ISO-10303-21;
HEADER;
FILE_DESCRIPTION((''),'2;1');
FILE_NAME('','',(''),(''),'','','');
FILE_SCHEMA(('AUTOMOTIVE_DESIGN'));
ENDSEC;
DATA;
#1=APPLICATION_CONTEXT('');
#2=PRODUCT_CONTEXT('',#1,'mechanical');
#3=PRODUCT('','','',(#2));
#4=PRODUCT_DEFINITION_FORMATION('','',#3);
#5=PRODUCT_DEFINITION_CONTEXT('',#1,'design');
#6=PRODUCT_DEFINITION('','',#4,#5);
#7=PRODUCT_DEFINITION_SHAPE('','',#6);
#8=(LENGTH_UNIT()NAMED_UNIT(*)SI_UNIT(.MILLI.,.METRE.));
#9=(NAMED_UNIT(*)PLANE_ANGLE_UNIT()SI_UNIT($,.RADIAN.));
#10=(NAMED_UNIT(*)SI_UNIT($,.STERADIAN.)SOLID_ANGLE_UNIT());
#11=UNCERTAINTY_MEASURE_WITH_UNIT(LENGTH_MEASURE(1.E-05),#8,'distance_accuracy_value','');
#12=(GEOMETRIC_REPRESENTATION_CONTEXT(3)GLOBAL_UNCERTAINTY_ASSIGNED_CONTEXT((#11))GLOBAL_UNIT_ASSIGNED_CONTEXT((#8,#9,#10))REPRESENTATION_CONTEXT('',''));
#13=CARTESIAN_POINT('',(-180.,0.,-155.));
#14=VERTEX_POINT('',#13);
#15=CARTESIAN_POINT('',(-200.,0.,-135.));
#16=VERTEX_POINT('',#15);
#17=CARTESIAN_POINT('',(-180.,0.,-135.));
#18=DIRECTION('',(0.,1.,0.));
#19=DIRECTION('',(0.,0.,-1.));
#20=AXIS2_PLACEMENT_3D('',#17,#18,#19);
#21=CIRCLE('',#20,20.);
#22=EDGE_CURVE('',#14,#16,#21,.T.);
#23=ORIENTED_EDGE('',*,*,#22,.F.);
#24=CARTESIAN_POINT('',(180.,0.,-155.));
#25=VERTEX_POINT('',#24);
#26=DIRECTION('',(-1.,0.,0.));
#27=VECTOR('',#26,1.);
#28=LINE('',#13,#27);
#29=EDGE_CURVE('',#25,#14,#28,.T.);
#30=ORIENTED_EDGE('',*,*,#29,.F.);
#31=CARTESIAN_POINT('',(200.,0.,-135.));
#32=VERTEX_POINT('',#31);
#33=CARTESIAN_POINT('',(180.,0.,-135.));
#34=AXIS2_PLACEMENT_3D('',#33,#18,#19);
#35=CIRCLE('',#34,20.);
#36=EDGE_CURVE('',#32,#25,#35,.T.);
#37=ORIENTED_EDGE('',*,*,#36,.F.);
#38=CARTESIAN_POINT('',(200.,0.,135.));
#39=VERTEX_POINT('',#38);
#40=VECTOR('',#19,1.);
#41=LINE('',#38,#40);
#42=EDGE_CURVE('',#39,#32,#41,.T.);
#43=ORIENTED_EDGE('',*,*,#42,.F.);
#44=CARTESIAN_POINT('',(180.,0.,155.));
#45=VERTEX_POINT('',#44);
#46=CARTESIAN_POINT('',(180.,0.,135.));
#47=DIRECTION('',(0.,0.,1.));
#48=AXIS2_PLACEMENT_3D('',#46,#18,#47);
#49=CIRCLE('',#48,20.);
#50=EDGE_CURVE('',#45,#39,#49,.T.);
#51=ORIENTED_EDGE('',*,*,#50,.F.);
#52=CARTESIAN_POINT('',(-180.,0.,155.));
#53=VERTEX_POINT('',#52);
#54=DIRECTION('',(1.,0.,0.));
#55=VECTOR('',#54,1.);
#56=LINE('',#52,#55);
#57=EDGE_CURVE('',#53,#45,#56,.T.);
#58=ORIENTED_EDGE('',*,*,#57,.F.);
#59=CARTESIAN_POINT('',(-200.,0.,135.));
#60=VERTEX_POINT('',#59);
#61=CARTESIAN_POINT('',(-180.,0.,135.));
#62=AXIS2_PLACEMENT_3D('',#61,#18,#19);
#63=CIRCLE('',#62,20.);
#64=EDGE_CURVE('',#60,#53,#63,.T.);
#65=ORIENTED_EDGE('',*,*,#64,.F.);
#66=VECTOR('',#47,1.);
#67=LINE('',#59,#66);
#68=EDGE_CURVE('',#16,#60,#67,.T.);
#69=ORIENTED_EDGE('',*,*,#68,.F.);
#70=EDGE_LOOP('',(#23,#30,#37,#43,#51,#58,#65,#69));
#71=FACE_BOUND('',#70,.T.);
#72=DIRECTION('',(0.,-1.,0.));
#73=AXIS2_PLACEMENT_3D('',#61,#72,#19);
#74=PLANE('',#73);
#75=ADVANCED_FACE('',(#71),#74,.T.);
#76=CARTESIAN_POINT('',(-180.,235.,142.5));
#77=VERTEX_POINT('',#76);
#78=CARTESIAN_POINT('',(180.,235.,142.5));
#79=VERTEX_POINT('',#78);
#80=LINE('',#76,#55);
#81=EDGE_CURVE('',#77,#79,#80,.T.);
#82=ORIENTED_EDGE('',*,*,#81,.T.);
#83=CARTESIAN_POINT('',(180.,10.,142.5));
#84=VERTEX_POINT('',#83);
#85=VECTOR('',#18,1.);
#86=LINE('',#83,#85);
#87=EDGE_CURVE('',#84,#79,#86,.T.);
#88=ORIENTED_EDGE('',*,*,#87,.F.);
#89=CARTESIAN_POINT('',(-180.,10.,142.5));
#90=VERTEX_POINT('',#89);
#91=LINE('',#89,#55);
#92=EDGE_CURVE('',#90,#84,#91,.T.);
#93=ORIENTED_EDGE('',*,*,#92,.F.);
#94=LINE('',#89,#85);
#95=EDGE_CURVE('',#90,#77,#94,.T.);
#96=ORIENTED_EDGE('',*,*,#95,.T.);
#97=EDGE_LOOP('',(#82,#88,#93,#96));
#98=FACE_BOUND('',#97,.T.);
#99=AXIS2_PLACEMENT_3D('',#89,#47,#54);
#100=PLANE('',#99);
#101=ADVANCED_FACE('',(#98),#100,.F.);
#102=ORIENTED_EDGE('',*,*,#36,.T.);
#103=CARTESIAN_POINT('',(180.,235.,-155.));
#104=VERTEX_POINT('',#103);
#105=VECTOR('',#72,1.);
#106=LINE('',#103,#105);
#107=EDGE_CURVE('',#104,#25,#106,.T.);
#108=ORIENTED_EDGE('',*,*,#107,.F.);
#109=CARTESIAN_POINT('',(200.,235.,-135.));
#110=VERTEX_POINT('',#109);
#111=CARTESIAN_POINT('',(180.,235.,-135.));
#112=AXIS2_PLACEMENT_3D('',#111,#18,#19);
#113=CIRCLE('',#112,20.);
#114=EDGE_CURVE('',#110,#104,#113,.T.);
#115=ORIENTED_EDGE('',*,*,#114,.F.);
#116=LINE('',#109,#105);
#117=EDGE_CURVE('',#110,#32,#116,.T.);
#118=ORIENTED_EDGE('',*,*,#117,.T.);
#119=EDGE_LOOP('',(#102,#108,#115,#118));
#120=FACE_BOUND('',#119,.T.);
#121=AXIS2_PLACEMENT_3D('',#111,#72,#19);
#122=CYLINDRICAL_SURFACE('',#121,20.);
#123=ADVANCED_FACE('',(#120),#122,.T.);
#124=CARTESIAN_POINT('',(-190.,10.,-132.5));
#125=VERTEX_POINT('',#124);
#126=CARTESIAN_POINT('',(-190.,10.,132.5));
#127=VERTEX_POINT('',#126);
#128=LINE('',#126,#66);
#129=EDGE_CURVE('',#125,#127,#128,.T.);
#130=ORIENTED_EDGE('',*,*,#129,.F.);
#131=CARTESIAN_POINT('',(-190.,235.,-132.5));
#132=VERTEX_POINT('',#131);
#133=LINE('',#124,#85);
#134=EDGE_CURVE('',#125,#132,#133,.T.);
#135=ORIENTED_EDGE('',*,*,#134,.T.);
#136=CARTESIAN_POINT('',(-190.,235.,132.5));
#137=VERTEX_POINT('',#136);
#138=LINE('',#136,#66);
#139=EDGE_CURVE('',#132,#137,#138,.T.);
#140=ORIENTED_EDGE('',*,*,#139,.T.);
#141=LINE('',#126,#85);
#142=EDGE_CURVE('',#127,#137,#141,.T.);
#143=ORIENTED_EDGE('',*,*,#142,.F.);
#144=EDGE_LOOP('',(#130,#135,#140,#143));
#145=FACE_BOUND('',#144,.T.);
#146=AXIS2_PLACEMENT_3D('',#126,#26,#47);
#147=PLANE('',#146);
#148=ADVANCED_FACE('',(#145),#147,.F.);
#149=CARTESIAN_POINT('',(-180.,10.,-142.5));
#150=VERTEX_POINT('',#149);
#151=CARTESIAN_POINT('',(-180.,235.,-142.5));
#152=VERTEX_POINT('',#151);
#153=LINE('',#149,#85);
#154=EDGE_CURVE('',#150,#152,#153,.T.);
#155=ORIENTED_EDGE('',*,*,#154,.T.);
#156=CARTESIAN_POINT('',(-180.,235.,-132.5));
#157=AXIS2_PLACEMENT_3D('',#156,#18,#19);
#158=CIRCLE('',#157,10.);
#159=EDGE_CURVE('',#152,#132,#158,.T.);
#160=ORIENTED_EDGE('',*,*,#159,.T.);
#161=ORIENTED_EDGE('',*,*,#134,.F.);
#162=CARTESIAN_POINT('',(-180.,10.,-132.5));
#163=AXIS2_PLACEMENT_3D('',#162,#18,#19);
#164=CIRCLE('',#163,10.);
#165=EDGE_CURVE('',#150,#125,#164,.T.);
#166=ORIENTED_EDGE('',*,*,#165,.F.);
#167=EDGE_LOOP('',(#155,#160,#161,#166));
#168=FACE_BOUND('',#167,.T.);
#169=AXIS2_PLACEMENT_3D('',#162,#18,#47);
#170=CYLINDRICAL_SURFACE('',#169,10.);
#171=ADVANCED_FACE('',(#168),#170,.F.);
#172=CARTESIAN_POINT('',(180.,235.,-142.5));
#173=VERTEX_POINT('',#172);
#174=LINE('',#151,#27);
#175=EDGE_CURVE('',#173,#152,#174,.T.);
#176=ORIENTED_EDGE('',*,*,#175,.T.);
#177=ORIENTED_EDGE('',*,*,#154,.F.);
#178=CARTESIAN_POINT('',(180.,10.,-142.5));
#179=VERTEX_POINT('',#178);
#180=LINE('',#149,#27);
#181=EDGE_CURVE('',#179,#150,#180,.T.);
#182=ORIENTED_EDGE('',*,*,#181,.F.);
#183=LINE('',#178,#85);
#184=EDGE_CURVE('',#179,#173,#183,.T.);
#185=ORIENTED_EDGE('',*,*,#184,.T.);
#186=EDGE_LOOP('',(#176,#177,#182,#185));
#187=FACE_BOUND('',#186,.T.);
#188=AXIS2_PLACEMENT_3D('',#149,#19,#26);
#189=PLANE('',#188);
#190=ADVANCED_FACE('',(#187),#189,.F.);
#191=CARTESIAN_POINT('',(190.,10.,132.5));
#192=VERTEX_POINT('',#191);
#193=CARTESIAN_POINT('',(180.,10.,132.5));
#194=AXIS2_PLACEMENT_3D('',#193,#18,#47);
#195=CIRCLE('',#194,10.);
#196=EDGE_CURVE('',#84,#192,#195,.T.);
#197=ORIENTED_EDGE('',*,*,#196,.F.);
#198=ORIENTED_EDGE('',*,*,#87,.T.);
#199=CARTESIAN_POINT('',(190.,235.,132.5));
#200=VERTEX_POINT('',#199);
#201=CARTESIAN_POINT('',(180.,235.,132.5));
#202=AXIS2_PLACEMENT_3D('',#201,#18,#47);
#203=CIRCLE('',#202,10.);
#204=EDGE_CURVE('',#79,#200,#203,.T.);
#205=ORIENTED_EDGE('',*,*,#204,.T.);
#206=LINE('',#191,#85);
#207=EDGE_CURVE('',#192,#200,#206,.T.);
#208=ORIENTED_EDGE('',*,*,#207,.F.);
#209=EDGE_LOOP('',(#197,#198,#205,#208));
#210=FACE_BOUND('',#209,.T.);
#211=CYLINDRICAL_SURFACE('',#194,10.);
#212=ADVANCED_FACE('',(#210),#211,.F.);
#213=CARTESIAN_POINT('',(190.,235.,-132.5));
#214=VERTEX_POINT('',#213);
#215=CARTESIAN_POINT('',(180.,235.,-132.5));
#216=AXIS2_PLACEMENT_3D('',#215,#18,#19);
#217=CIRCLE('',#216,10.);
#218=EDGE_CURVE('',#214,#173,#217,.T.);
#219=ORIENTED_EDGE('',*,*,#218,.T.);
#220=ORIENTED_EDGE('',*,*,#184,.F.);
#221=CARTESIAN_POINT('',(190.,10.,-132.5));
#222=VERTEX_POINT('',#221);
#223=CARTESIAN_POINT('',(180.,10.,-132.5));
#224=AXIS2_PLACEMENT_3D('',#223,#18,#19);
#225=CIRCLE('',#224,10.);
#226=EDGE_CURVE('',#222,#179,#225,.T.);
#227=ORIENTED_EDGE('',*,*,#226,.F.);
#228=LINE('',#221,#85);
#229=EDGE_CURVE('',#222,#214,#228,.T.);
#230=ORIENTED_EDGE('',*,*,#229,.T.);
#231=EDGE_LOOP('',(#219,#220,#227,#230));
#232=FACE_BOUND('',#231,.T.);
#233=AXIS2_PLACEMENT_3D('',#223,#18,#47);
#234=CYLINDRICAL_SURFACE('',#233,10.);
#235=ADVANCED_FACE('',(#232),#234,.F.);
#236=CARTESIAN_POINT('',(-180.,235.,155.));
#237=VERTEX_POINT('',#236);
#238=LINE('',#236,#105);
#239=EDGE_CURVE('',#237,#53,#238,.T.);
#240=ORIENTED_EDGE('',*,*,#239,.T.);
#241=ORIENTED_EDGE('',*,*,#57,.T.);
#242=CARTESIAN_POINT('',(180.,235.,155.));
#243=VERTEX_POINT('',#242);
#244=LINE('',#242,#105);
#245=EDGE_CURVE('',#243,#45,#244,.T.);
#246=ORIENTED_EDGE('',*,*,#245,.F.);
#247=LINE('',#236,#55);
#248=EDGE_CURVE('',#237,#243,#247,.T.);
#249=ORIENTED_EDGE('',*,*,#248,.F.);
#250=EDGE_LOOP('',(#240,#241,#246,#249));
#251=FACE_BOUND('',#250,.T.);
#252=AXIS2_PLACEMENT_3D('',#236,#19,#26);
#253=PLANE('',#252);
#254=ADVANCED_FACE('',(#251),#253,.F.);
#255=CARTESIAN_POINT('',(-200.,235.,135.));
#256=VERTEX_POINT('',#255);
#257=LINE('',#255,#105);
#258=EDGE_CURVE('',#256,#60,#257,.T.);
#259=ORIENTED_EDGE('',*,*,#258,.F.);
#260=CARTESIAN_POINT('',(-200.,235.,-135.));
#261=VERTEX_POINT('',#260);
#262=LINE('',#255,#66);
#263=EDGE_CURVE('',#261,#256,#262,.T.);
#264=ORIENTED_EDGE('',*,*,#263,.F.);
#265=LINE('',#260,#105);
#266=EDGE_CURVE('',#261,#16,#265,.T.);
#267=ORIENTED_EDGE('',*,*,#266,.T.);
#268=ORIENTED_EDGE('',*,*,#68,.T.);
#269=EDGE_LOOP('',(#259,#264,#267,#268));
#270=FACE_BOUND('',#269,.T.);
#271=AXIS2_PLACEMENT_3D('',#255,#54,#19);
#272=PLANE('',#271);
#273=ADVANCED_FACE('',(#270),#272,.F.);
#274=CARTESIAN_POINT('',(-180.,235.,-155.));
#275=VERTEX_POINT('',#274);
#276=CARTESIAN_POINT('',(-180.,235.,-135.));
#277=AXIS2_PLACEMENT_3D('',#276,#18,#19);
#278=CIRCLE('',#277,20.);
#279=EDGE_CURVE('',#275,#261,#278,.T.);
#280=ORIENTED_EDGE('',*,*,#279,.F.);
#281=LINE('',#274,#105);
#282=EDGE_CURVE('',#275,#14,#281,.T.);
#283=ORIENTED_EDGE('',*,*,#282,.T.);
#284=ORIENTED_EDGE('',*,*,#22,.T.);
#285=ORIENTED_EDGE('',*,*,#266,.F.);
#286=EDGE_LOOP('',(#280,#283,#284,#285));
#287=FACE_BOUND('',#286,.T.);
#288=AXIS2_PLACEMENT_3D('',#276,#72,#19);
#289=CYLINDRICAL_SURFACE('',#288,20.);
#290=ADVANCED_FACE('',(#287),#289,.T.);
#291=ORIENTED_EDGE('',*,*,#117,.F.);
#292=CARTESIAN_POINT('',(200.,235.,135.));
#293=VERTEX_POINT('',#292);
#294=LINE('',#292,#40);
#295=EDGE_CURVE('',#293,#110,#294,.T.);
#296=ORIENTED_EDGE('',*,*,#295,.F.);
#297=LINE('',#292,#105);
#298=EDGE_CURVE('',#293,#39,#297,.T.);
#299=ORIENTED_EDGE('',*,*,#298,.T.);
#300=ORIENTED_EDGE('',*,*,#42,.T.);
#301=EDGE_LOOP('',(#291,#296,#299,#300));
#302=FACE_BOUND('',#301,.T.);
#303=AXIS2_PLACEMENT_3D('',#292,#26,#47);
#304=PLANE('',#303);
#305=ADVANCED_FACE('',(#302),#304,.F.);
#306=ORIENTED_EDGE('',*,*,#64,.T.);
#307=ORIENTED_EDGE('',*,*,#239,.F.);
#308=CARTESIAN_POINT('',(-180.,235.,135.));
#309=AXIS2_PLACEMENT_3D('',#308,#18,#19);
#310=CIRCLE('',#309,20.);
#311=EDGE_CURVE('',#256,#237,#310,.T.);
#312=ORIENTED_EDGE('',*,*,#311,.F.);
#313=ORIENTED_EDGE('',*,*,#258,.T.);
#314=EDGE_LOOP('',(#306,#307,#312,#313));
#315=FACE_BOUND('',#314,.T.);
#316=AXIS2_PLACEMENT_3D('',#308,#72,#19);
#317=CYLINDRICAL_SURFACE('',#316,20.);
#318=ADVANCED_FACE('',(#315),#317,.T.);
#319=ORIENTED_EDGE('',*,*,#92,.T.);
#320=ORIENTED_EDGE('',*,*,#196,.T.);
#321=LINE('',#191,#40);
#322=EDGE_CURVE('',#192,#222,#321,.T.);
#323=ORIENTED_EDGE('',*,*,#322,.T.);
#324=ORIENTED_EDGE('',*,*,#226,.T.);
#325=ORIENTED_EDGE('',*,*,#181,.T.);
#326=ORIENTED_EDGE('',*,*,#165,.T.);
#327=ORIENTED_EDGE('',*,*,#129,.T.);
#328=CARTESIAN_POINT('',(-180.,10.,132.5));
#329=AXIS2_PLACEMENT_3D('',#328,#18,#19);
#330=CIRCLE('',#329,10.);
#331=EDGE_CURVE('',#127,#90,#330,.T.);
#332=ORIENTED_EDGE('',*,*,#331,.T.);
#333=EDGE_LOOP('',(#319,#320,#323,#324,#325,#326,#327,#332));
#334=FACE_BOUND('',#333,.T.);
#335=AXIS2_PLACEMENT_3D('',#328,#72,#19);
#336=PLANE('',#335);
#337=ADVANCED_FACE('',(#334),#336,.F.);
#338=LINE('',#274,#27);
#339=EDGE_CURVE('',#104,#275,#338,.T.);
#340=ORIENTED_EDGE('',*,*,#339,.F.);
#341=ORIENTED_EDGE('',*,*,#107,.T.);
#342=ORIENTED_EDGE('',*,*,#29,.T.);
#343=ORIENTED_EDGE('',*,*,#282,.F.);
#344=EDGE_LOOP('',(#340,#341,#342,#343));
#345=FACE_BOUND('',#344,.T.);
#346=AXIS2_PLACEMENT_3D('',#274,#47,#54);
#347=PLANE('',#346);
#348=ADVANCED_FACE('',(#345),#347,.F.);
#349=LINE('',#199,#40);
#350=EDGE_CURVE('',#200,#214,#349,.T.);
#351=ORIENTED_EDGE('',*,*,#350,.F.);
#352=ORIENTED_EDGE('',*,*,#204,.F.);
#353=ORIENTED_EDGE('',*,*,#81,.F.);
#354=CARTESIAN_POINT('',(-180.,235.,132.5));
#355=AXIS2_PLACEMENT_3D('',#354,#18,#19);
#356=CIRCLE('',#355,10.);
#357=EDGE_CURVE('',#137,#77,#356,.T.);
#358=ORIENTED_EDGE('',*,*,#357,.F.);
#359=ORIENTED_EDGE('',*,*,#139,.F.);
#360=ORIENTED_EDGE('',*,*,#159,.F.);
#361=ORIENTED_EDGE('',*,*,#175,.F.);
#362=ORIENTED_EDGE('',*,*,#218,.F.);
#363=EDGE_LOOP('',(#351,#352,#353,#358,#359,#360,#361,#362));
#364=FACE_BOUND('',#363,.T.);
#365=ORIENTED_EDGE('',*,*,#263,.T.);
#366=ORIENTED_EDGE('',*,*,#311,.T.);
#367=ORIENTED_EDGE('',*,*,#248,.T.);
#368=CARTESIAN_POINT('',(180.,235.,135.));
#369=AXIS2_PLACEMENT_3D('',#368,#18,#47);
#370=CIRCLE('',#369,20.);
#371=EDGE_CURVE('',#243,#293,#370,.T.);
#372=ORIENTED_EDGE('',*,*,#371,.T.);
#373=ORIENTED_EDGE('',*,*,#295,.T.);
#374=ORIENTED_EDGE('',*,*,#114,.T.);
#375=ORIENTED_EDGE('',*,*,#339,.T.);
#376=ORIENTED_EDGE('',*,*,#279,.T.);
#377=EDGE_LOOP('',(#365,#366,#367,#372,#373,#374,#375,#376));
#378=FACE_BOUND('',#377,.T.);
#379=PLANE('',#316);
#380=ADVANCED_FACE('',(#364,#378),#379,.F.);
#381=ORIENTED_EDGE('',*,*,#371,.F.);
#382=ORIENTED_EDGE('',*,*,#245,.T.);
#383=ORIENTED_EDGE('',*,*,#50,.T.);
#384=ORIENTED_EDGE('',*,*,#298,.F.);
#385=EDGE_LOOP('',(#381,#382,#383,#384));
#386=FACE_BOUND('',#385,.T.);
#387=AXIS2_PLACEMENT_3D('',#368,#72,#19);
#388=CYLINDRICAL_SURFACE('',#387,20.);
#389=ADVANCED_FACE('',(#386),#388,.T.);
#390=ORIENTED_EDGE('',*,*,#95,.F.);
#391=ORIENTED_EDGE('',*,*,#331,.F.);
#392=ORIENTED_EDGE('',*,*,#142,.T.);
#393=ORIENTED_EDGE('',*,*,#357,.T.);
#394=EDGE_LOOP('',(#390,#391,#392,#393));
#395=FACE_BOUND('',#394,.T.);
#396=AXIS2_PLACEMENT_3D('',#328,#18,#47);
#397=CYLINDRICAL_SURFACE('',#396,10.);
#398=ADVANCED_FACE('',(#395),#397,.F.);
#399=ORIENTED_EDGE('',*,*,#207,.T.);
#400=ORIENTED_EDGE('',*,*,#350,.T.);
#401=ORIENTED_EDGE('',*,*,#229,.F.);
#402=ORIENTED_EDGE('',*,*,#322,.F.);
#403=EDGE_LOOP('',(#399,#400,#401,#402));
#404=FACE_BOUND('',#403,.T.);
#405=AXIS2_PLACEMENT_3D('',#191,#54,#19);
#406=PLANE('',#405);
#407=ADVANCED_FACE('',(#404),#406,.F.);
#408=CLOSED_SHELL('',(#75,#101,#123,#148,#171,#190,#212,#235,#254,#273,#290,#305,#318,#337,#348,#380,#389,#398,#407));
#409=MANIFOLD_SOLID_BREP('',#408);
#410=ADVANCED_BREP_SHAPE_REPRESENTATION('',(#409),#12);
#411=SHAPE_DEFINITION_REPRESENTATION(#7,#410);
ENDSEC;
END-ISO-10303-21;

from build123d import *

# Parameters (mm, degrees)
BOSS_EXTRUDE1_DEPTH = 235
CUT_EXTRUDE1_DEPTH  = 225


with BuildPart() as part:
    # Sketch1 → Boss-Extrude1 (new body)
    with BuildSketch(Plane(origin=(0, 0, 0), x_dir=(1, 0, 0), z_dir=(0, 1, 0))):
        with BuildLine():
            Line((-180, -155), (180, -155))
            ThreePointArc((180, -155), (194.142135624, -149.142135624), (200, -135))
            Line((200, -135), (200, 135))
            ThreePointArc((200, 135), (194.142135624, 149.142135624), (180, 155))
            Line((180, 155), (-180, 155))
            ThreePointArc((-180, 155), (-194.142135624, 149.142135624), (-200, 135))
            Line((-200, 135), (-200, -135))
            ThreePointArc((-200, -135), (-194.142135624, -149.142135624), (-180, -155))
        make_face()
    extrude(amount=BOSS_EXTRUDE1_DEPTH)

    # Sketch2 → Cut-Extrude1 (cut)
    with BuildSketch(Plane(origin=(0, 235, 0), x_dir=(1, 0, 0), z_dir=(0, 1, 0))):
        with BuildLine():
            Line((-180, -142.5), (180, -142.5))
            ThreePointArc((180, -142.5), (187.071067812, -139.571067812), (190, -132.5))
            Line((190, -132.5), (190, 132.5))
            ThreePointArc((190, 132.5), (187.071067812, 139.571067812), (180, 142.5))
            Line((180, 142.5), (-180, 142.5))
            ThreePointArc((-180, 142.5), (-187.071067812, 139.571067812), (-190, 132.5))
            Line((-190, 132.5), (-190, -132.5))
            ThreePointArc((-190, -132.5), (-187.071067812, -139.571067812), (-180, -142.5))
        make_face()
    extrude(amount=-CUT_EXTRUDE1_DEPTH, mode=Mode.SUBTRACT)


solid = part.part
